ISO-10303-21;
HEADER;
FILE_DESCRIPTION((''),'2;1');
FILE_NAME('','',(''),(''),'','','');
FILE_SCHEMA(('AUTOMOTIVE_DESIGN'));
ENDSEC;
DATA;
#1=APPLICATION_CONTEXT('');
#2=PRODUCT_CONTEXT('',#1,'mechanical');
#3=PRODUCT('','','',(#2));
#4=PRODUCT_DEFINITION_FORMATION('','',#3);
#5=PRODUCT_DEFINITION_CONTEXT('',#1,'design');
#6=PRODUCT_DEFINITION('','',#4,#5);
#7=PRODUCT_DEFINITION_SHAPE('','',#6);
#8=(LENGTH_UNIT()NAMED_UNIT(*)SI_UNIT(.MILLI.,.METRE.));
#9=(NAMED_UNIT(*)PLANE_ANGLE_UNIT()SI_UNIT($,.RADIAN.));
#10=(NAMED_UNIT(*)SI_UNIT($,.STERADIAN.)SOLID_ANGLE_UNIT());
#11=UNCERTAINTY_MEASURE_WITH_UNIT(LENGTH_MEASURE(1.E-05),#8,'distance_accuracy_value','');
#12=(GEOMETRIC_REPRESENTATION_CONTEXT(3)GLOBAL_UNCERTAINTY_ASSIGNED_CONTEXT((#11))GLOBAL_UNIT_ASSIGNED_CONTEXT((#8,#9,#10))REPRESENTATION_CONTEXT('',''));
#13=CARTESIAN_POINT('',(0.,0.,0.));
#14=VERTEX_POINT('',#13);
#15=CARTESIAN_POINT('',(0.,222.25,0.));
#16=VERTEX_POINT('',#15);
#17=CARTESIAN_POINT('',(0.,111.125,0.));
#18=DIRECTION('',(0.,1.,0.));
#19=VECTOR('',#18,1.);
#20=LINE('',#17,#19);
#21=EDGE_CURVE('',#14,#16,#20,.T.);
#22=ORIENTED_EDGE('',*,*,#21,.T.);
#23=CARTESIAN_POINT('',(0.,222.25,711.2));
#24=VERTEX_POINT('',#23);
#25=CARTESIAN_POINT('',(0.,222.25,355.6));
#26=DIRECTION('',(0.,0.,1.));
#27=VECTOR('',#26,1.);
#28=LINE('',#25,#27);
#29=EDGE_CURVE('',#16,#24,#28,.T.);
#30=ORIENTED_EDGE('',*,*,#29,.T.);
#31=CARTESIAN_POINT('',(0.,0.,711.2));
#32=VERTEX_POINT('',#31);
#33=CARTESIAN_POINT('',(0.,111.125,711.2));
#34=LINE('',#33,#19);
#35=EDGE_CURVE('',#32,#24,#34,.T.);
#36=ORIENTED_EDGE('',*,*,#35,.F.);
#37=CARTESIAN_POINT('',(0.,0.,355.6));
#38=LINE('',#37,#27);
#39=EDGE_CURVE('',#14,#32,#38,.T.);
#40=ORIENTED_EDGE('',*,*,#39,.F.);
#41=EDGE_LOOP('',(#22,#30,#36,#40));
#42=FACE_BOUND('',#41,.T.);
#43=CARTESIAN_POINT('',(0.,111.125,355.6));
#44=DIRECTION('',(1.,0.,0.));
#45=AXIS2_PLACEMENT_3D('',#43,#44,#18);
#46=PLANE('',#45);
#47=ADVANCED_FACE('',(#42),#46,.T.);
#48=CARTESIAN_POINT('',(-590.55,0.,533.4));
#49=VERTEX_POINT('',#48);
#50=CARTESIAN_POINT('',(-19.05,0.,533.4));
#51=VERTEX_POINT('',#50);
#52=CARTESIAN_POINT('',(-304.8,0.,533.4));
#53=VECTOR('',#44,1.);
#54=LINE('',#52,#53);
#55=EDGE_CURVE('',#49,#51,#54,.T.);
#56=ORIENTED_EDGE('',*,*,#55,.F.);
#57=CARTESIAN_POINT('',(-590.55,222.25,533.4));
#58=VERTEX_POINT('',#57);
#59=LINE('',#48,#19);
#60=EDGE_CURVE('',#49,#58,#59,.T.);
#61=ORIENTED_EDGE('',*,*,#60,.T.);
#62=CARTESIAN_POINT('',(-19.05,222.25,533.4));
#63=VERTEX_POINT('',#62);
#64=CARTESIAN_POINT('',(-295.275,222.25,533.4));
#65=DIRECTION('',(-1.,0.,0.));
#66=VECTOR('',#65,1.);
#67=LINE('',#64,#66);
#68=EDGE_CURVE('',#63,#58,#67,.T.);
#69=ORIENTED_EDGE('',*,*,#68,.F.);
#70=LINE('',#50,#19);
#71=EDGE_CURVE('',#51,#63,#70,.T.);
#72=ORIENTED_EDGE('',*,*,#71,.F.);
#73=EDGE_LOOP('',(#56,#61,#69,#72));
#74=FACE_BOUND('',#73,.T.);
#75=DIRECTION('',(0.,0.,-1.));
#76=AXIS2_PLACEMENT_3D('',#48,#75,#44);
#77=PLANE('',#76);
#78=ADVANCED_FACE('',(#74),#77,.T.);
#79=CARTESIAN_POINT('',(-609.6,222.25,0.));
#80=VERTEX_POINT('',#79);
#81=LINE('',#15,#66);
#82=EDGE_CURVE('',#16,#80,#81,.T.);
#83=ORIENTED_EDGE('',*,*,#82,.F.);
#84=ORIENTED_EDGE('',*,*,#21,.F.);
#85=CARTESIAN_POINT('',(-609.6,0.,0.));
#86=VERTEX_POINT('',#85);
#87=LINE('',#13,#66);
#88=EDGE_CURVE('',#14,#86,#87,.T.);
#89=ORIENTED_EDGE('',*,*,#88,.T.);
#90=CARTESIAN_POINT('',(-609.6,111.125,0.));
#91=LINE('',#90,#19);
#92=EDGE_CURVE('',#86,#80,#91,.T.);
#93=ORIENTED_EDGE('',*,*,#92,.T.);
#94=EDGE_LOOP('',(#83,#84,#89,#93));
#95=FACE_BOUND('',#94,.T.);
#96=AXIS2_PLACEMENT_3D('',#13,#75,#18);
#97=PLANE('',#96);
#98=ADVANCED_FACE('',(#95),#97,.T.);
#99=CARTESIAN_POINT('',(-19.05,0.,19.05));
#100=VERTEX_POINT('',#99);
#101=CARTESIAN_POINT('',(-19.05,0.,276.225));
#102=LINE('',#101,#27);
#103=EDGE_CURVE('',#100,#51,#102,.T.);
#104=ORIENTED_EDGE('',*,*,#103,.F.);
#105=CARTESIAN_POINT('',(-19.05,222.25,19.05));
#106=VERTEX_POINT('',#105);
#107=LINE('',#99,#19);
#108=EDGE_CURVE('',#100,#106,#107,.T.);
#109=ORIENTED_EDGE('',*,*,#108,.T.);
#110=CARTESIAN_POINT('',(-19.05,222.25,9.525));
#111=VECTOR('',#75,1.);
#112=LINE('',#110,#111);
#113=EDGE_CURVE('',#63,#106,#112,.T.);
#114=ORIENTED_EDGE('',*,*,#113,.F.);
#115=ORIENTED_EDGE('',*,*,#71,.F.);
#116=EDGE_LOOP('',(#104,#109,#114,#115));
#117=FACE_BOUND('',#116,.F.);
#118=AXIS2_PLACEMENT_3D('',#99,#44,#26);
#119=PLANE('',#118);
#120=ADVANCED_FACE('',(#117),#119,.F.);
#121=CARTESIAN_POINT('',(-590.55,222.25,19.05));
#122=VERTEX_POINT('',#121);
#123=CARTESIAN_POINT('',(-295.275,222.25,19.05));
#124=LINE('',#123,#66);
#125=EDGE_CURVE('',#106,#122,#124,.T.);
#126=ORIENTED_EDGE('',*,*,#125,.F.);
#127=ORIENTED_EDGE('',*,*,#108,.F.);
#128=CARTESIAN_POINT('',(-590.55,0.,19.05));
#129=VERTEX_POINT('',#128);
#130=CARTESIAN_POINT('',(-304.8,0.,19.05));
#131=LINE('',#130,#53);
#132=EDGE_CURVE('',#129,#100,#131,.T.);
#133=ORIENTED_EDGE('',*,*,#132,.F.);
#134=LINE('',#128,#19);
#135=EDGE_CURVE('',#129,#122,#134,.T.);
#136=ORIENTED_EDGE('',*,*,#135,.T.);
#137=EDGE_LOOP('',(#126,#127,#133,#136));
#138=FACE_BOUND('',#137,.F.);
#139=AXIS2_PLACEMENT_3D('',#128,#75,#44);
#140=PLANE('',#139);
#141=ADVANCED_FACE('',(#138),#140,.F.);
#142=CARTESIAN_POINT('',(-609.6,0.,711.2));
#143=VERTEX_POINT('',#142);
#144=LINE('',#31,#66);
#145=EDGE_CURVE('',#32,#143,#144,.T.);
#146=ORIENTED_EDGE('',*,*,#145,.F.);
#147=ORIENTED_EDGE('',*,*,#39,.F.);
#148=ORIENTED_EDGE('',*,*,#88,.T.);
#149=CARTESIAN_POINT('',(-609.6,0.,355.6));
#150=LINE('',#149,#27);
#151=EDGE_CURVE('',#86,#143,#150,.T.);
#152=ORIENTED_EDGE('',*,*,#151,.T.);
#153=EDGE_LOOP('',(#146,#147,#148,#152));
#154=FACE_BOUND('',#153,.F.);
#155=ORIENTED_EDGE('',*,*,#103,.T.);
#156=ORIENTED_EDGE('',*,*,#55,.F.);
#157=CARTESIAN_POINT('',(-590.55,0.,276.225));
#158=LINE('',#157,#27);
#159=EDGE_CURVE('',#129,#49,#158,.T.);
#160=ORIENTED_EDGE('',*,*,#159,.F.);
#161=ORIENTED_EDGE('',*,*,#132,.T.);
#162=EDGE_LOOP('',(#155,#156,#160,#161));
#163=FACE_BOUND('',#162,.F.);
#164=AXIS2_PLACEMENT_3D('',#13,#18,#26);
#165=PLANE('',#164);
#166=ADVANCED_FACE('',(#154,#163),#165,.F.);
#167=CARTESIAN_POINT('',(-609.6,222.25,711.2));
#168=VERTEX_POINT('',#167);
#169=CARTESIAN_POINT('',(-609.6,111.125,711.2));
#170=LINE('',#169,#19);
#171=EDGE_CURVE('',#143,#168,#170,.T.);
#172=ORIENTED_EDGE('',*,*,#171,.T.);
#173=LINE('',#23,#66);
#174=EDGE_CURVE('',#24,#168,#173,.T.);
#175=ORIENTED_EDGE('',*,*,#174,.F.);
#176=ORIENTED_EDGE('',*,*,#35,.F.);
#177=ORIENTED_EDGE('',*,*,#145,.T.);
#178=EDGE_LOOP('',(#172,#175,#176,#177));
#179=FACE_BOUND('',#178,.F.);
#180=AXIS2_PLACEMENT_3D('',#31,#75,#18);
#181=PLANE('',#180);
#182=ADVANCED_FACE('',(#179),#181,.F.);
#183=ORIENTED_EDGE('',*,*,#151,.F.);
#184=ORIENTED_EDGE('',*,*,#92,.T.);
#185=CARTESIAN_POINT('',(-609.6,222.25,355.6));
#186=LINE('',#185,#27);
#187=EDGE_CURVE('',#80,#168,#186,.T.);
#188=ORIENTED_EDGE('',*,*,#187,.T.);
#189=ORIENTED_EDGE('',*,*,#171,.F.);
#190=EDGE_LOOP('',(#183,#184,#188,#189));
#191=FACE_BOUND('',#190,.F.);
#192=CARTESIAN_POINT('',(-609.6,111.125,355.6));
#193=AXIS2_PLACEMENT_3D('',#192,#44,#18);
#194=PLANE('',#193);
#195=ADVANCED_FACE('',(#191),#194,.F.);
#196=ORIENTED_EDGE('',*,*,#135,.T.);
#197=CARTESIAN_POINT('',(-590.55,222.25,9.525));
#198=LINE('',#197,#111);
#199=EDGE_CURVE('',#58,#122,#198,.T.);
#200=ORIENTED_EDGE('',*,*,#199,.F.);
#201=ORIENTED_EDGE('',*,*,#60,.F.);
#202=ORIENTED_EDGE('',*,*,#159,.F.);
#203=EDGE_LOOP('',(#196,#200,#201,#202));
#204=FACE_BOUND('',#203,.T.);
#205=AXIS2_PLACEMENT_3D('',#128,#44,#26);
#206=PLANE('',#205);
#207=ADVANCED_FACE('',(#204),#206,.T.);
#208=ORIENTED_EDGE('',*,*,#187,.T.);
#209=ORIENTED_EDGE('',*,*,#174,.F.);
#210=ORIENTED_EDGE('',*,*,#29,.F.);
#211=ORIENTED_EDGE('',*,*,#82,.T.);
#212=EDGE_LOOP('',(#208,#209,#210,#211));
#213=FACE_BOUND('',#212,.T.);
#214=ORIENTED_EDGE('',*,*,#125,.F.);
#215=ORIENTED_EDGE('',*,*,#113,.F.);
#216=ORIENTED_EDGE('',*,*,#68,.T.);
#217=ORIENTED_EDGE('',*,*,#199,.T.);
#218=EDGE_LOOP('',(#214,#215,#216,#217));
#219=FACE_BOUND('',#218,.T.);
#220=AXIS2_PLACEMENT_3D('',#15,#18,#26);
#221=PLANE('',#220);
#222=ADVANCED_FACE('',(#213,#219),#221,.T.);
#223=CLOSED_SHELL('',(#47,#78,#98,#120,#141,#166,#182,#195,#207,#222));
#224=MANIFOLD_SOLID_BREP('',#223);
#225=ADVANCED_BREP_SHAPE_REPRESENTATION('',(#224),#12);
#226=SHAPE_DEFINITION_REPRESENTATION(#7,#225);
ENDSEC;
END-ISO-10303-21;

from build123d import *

# Parameters (mm, degrees)
F0_W     = 222.25
F0_H     = 711.2
F1_DEPTH = 609.6
F2_W     = 571.5
F2_H     = 514.35
F3_DEPTH = 285.75
F4_W     = 571.5
F4_H     = 63.5
F5_DEPTH = 158.75


with BuildPart() as f1:
    # F0 (on Right) → F1 (new body)
    with BuildSketch(Plane.YZ):
        with Locations((111.125, 355.6)):
            Rectangle(F0_W, F0_H)
    extrude(amount=-F1_DEPTH)

    # F2 (on face) → F3 (cut)
    with BuildSketch(Plane.XZ):
        with Locations((-304.8, 276.225)):
            Rectangle(F2_W, F2_H)
    extrude(amount=-F3_DEPTH, mode=Mode.SUBTRACT)

    # F4 (on face) → F5 (cut)
    with BuildSketch(Plane(origin=(0, 0, 533.4), x_dir=(1, 0, 0), z_dir=(0, 0, -1))):
        with Locations((-304.8, -254)):
            Rectangle(F4_W, F4_H)
    extrude(amount=-F5_DEPTH, mode=Mode.SUBTRACT)


solid = f1.part
